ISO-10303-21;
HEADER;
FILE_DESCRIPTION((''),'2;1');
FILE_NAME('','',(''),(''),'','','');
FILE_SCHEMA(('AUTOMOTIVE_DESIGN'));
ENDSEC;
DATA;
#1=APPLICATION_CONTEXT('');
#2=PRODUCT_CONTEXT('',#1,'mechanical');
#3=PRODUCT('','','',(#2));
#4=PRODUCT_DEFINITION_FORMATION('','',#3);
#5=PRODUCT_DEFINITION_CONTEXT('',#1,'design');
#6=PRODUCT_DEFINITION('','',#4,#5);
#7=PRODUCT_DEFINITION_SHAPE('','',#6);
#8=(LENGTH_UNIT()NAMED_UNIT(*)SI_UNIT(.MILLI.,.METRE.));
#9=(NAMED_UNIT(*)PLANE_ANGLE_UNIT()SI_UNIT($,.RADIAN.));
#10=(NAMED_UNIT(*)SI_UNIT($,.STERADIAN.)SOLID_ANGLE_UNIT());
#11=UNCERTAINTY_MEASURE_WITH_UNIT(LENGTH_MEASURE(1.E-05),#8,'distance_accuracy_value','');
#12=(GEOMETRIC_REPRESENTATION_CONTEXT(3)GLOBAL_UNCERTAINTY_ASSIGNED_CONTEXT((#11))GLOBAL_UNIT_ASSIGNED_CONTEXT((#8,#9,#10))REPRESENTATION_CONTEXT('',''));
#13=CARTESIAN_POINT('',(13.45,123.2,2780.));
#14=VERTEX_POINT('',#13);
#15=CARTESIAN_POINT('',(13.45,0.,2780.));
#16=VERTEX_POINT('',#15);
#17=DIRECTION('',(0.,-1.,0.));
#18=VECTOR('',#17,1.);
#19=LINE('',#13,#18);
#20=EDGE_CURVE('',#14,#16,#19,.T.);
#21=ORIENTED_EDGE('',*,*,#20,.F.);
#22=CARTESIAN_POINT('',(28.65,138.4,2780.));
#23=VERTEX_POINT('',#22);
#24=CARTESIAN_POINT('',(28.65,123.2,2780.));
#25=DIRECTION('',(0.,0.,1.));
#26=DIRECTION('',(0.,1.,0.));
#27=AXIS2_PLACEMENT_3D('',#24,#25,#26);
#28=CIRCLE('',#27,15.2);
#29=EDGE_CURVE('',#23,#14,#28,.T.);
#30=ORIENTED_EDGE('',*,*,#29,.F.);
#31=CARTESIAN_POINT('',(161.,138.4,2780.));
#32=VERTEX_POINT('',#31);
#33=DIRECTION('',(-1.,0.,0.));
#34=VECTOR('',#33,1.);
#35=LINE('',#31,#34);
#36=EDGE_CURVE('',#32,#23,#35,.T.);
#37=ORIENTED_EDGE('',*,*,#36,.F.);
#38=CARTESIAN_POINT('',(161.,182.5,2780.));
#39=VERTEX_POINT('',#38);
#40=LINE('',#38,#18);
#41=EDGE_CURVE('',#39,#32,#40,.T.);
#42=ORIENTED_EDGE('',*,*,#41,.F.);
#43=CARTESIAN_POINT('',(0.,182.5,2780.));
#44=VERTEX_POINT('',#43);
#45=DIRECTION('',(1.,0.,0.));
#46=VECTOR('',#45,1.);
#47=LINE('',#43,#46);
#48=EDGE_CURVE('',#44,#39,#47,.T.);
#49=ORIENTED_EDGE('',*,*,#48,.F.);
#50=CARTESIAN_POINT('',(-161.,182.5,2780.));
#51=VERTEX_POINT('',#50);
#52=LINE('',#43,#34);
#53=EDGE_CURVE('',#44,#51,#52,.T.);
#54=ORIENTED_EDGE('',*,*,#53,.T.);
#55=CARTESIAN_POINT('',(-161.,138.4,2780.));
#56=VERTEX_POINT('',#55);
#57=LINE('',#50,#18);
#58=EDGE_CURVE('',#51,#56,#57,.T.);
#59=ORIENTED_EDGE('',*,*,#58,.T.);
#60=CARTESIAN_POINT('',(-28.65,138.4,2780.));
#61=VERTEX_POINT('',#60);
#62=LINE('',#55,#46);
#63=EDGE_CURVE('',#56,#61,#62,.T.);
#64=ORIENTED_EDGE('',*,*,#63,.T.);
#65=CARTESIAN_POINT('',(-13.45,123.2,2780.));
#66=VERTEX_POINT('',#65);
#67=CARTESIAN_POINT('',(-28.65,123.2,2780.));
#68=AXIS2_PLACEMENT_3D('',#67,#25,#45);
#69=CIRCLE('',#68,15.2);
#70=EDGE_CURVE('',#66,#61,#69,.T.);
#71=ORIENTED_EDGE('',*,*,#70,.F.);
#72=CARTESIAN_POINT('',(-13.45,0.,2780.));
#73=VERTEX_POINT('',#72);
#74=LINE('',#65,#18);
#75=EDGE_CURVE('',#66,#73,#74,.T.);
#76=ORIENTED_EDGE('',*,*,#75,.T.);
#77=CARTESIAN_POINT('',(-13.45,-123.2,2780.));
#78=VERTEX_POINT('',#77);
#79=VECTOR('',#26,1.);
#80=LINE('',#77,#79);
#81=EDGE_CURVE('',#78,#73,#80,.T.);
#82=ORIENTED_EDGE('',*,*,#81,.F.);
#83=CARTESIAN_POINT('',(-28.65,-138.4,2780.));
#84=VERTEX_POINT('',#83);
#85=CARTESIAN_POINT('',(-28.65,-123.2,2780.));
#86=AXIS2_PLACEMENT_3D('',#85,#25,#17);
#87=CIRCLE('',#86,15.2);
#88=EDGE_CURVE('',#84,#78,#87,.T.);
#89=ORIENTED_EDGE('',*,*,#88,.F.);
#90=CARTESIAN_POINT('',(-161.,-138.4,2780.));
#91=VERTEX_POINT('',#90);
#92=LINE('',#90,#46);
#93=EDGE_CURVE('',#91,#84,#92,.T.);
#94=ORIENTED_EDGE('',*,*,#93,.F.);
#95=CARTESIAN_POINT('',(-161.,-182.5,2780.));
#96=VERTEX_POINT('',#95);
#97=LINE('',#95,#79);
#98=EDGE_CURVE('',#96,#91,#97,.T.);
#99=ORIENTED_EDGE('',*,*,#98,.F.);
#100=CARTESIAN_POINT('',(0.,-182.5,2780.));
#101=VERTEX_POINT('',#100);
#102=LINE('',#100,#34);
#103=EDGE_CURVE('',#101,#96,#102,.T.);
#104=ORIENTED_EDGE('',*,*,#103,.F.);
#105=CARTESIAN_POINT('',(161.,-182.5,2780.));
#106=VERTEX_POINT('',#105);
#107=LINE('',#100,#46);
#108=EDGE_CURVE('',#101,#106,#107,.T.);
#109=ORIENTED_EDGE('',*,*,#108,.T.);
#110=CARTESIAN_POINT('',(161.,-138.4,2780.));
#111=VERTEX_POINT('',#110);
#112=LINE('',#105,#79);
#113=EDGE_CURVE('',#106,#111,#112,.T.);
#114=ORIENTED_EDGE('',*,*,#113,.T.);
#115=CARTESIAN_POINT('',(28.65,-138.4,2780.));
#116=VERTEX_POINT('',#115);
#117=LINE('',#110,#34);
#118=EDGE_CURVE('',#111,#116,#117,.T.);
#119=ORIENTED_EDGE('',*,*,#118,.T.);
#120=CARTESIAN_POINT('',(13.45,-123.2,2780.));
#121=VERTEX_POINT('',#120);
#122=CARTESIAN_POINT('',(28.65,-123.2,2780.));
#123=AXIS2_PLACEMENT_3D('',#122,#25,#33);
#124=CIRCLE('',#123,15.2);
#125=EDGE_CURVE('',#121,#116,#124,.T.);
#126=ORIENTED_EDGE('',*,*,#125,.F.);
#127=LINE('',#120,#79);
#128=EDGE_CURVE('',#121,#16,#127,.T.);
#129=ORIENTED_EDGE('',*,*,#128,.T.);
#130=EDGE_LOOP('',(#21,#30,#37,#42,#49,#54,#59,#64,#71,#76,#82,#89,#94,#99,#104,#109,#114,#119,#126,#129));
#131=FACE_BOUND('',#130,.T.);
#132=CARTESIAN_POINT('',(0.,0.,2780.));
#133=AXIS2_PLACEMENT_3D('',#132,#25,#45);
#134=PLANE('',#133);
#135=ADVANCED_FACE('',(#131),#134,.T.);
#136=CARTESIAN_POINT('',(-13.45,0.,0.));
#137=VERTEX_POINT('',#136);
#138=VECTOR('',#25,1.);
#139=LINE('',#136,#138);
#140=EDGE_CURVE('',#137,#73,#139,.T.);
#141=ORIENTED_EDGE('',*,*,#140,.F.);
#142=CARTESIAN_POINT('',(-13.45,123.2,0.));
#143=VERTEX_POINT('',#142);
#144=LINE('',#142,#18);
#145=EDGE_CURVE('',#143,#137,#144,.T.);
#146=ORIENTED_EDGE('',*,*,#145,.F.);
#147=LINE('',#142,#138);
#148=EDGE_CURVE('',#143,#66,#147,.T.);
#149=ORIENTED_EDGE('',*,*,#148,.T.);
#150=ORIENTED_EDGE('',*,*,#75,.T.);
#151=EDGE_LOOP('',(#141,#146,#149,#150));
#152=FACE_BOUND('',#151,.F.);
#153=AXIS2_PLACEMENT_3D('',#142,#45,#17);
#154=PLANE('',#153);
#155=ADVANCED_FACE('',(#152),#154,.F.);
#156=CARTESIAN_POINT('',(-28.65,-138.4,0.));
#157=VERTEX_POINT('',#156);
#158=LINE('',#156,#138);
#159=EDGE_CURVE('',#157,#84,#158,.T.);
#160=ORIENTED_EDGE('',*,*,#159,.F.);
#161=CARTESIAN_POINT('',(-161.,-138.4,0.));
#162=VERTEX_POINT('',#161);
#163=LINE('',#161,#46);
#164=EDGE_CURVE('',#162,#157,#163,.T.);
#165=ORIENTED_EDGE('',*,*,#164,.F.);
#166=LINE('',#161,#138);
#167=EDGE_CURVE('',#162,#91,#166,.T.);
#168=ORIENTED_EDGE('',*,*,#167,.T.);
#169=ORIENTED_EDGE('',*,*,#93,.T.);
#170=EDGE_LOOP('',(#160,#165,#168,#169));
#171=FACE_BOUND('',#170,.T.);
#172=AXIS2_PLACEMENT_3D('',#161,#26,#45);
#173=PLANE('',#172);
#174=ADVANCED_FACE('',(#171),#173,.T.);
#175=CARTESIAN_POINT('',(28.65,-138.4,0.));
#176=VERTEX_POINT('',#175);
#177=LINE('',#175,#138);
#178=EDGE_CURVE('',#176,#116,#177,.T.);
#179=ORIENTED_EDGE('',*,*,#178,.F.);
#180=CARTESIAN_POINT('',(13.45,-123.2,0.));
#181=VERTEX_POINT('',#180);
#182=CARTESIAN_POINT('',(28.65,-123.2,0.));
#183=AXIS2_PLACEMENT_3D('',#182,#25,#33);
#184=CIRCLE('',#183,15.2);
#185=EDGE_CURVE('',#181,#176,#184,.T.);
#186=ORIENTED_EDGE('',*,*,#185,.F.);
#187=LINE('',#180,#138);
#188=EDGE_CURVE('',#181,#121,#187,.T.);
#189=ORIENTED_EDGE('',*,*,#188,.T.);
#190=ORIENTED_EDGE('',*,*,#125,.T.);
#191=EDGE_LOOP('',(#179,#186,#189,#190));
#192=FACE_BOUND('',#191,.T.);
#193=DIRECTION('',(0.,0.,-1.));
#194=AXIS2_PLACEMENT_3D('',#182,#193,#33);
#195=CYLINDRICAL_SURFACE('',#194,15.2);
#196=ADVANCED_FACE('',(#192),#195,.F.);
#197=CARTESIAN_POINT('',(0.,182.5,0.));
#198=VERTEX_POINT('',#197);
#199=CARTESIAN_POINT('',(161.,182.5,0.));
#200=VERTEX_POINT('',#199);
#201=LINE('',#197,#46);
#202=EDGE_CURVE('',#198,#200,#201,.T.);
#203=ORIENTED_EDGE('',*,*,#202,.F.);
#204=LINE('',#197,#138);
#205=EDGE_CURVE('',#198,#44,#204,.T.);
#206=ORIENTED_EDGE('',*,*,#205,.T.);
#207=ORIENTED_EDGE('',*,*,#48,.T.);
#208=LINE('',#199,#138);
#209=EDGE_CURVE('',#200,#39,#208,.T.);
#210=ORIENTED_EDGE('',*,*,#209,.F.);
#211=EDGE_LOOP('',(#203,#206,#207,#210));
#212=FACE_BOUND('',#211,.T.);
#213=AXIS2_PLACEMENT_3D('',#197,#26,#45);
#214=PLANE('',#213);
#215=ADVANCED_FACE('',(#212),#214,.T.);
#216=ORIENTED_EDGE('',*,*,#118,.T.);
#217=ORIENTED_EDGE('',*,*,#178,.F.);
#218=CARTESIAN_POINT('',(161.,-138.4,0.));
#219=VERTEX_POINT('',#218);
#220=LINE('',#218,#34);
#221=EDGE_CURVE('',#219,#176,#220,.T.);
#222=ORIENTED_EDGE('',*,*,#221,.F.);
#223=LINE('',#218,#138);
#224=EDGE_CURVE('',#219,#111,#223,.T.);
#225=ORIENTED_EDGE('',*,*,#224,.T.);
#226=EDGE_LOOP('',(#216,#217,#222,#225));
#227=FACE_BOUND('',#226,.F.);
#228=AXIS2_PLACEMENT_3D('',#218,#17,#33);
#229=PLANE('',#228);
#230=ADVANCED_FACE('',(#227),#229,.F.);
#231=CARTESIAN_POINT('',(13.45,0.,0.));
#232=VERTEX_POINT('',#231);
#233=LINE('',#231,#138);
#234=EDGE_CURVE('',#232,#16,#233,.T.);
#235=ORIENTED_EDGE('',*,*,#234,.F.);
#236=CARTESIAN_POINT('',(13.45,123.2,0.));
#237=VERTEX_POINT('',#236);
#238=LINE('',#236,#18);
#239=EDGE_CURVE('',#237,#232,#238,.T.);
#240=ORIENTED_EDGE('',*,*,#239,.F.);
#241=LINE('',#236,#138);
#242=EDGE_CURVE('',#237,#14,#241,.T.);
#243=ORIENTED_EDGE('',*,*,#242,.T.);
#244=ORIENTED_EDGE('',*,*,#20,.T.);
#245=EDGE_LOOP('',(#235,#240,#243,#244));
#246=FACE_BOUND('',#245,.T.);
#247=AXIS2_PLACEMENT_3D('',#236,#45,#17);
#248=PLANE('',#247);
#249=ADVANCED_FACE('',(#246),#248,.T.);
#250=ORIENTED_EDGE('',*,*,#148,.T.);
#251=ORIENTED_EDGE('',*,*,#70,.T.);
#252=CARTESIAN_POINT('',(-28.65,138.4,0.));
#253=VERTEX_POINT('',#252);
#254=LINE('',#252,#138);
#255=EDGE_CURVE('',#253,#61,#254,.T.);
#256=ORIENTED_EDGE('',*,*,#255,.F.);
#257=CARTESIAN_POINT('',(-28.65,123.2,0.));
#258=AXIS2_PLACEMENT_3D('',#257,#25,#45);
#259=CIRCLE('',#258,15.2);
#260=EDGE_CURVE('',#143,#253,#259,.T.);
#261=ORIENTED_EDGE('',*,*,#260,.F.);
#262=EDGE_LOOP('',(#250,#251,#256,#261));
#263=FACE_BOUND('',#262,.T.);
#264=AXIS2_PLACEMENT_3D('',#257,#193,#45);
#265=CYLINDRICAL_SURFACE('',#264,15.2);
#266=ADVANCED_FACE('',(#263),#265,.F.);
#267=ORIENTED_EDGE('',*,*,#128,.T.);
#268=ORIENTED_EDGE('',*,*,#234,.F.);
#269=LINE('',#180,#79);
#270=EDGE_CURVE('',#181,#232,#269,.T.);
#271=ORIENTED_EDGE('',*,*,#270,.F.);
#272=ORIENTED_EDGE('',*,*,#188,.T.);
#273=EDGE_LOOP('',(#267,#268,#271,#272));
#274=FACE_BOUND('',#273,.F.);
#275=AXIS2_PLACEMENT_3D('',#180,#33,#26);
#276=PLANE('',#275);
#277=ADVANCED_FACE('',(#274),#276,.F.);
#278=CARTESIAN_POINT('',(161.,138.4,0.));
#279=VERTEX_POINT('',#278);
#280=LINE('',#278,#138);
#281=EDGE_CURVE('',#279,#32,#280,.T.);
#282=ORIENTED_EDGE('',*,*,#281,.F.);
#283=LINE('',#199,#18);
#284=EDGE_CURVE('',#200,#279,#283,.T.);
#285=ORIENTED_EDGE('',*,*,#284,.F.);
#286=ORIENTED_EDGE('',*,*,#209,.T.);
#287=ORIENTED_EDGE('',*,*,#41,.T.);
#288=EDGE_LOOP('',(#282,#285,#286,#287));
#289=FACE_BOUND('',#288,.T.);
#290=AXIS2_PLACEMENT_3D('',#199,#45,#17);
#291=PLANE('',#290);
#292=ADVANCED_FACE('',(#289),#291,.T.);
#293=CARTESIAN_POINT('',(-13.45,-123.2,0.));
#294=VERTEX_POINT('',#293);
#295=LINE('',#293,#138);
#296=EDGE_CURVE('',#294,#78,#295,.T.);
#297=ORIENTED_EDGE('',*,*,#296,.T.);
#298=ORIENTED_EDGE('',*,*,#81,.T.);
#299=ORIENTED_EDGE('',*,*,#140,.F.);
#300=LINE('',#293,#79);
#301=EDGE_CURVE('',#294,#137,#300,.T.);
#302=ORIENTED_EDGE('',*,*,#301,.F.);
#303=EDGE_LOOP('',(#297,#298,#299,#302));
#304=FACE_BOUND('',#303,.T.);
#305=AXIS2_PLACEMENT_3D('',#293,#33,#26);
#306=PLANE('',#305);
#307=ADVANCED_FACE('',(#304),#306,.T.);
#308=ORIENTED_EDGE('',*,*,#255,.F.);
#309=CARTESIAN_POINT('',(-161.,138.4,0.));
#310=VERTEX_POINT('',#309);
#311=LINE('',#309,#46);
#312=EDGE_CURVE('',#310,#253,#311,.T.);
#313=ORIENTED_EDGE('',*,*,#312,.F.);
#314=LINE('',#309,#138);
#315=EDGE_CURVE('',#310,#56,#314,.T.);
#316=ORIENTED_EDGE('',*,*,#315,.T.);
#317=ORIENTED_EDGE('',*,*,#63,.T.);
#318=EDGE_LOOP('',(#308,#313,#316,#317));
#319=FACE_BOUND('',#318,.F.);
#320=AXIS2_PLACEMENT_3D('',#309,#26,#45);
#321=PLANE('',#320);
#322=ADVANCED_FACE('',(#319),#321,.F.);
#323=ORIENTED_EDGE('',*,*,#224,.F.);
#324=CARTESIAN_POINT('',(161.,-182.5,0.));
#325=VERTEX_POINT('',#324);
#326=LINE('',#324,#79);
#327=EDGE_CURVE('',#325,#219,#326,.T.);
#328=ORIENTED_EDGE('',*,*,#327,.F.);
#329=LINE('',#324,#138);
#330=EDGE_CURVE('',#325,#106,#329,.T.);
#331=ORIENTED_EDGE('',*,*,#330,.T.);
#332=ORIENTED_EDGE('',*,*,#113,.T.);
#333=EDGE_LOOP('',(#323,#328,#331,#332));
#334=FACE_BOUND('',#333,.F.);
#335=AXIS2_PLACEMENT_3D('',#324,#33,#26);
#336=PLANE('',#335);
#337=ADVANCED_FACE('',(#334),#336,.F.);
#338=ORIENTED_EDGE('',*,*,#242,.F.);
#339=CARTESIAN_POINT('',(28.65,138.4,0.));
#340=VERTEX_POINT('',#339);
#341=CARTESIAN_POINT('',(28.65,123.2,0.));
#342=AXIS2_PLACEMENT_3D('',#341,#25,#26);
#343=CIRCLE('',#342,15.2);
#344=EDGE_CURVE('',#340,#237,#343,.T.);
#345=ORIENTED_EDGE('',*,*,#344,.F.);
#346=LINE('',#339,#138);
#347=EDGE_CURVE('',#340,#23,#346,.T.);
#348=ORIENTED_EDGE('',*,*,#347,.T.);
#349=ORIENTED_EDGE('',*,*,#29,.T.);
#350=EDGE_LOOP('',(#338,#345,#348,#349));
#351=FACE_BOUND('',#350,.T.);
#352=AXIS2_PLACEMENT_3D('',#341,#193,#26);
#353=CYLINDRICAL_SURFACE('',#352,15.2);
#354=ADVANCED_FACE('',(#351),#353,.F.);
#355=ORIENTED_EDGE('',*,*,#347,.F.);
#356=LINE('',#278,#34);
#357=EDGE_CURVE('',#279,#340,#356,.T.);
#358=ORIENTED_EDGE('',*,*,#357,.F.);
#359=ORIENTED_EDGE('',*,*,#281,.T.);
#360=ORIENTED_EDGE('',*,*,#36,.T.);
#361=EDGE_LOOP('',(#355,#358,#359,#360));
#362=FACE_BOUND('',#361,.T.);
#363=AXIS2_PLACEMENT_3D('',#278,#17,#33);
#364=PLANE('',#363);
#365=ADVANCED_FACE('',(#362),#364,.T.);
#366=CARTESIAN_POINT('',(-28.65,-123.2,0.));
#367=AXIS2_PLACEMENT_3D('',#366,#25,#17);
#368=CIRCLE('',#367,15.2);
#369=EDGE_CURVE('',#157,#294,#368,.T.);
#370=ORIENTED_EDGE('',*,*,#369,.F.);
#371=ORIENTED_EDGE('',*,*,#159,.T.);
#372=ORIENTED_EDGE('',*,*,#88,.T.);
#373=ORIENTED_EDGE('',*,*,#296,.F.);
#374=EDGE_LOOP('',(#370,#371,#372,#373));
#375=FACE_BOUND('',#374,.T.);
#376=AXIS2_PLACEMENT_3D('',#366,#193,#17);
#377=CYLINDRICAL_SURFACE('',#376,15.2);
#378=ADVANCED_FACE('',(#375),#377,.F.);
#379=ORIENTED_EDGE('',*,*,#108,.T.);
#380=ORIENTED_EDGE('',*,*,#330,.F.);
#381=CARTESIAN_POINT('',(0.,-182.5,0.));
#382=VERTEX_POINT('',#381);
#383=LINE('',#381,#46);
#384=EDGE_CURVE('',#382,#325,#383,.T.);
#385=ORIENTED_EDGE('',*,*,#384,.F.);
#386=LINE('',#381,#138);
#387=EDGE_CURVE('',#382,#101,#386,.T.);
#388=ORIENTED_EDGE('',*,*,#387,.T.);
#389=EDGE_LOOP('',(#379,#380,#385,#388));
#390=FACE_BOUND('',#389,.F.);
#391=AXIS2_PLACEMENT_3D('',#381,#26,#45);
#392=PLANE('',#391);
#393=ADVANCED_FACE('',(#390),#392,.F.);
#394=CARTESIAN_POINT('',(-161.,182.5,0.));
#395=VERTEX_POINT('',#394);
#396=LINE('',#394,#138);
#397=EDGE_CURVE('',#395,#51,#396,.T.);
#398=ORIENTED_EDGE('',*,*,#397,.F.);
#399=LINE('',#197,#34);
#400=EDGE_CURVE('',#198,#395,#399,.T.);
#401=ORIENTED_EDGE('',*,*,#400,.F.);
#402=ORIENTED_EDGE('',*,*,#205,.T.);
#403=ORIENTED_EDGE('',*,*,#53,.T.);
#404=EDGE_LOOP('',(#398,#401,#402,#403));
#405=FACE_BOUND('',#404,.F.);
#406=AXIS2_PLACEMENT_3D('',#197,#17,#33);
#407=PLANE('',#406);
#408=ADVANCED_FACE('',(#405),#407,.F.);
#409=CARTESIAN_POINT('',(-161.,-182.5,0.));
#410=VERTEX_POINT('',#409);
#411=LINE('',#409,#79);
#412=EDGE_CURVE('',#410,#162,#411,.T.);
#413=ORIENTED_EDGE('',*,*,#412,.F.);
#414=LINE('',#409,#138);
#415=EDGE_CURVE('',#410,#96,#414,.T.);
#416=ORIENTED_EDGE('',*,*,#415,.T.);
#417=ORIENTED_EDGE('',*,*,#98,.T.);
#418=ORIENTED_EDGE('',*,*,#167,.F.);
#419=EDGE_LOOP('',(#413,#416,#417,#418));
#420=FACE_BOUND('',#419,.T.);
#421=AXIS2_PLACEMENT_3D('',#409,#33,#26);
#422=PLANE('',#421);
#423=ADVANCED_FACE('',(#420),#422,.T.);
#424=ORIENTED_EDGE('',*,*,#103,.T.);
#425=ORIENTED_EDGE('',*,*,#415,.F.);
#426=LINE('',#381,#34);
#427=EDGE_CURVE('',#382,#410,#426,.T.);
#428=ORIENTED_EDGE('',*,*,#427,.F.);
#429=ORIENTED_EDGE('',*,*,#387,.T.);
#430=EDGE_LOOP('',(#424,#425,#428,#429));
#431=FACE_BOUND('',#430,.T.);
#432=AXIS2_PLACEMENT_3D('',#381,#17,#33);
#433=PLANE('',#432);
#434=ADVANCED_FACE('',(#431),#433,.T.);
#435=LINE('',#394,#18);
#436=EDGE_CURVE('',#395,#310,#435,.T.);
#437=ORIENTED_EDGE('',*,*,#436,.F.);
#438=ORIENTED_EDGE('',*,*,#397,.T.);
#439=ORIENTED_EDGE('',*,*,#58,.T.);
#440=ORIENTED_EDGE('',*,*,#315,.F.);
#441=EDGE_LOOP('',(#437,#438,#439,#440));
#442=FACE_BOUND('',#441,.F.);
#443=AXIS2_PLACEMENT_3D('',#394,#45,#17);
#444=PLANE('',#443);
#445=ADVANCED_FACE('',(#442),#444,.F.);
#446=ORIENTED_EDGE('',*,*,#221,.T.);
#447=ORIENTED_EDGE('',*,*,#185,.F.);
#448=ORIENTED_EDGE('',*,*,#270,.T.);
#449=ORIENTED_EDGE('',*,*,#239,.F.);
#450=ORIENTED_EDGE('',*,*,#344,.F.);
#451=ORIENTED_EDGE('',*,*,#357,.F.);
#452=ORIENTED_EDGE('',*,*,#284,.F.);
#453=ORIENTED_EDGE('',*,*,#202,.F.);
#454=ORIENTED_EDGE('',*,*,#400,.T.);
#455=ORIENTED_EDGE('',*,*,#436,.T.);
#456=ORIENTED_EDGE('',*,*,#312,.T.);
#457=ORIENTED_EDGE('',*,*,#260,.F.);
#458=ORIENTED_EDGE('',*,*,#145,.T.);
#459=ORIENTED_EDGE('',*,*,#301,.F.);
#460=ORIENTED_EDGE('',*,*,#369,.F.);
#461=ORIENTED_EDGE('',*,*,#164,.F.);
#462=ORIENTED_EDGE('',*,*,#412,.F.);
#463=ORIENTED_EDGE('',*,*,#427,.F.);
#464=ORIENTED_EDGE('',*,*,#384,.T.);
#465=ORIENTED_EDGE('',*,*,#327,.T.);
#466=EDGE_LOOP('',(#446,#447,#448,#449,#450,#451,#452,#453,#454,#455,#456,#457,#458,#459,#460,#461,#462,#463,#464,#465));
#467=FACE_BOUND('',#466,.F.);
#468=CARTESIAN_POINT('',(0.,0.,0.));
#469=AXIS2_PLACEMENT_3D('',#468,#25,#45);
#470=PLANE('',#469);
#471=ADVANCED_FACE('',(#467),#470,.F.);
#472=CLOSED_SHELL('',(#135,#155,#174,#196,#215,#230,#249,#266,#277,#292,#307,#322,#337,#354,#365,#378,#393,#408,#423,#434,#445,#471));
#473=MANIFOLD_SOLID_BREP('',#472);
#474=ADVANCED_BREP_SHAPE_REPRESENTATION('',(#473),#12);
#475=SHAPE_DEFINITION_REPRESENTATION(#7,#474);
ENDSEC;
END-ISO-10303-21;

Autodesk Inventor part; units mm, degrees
ref_plane "YZ Plane" through (0, 0, 0) normal (1, 0, 0) x (0, 1, 0)
ref_plane "Start plane" through (0, 0, 0) normal (0, 0, 1) x (1, 0, 0)
ref_plane "End plane" through (0, 0, 2780) normal (0, 0, 1) x (1, 0, 0)
sketch "Sketch" plane through (0, 0, 0) normal (0, 0, 1) x (1, 0, 0)
  line L0 (-161, -182.5) -> (-161, -138.4)
  line L1 (-161, -138.4) -> (-28.65, -138.4)
  line L2 (-13.45, -123.2) -> (-13.45, 0)
  line L3 (-13.45, 0) -> (0, 0) construction
  line L4 (0, 0) -> (0, -182.5) construction
  line L5 (0, -182.5) -> (-161, -182.5)
  line L6 (-60, 0) -> (80, 0) construction
  line L7 (0, -60) -> (0, 80) construction
  line L8 (161, -182.5) -> (161, -138.4)
  line L9 (161, -138.4) -> (28.65, -138.4)
  line L10 (13.45, -123.2) -> (13.45, 0)
  line L11 (13.45, 0) -> (0, 0) construction
  line L12 (0, -182.5) -> (161, -182.5)
  line L13 (-161, 182.5) -> (-161, 138.4)
  line L14 (-161, 138.4) -> (-28.65, 138.4)
  line L15 (-13.45, 123.2) -> (-13.45, 0)
  line L16 (0, 182.5) -> (-161, 182.5)
  line L17 (161, 182.5) -> (161, 138.4)
  line L18 (161, 138.4) -> (28.65, 138.4)
  line L19 (0, 182.5) -> (161, 182.5)
  line L20 (13.45, 123.2) -> (13.45, 0)
  arc A0 (-13.45, 123.2) -> (-28.65, 138.4) centre (-28.65, 123.2) ccw
  arc A1 (28.65, 138.4) -> (13.45, 123.2) centre (28.65, 123.2) ccw
  arc A2 (13.45, -123.2) -> (28.65, -138.4) centre (28.65, -123.2) ccw
  arc A3 (-28.65, -138.4) -> (-13.45, -123.2) centre (-28.65, -123.2) ccw
  line L21 (0, 108) -> (0, -88) construction
  line L22 (-88, 0) -> (108, 0) construction
  point P0 (-13.45, -138.4)
  point P1 (13.45, -138.4)
  point P2 (-13.45, 138.4)
  point P3 (13.45, 138.4)
  dimension "d1" = 182.5
  dimension "d2" = 44.1
  dimension "d3" = 161
  dimension "d4" = 13.45
  dimension "d10" = 15.2
extrude "Body" add sketch "Sketch" along normal up to surface (2780 mm away) from surface at 0
sketch "Sketch4" plane through (0, 0, 0) normal (0, 0, 1) x (1, 0, 0)
  line L0 (0, 0) -> (10, 0)
ref_plane "Work Plane3" through (0, 0, 0) normal (0, -1, 0) x (1, 0, 0)
sketch "Sketch5" plane through (0, 0, 0) normal (0, -1, 0) x (1, 0, 0)
  line L0 (-2, 0) -> (12, 0) projected
  line L1 (-2, 2780) -> (12, 2780) projected
  dimension "d14" = 2780
equation "\"d1\" = 0.5 * G_H"
equation "\"d2\" = G_T1"
equation "\"d3\" = 0.5 * G_W"
equation "\"d4\" = 0.5 * G_T"
equation "\"d10\" = G_IR"
equation "\"d5\" = G_L"
equation "\"G_W\" = 322"
equation "\"G_H\" = 365"
equation "\"G_T\" = 26.9"
equation "\"G_T1\" = 44.1"
equation "\"G_IR\" = 15.2"
equation "\"G_L\" = d14"
equation "\"G_OFFSET_START\" = 0"
equation "\"G_OFFSET_END\" = 0"
properties part number "AS 3679 - 310 UC - 283 - 2780" material "Steel, Mild"
